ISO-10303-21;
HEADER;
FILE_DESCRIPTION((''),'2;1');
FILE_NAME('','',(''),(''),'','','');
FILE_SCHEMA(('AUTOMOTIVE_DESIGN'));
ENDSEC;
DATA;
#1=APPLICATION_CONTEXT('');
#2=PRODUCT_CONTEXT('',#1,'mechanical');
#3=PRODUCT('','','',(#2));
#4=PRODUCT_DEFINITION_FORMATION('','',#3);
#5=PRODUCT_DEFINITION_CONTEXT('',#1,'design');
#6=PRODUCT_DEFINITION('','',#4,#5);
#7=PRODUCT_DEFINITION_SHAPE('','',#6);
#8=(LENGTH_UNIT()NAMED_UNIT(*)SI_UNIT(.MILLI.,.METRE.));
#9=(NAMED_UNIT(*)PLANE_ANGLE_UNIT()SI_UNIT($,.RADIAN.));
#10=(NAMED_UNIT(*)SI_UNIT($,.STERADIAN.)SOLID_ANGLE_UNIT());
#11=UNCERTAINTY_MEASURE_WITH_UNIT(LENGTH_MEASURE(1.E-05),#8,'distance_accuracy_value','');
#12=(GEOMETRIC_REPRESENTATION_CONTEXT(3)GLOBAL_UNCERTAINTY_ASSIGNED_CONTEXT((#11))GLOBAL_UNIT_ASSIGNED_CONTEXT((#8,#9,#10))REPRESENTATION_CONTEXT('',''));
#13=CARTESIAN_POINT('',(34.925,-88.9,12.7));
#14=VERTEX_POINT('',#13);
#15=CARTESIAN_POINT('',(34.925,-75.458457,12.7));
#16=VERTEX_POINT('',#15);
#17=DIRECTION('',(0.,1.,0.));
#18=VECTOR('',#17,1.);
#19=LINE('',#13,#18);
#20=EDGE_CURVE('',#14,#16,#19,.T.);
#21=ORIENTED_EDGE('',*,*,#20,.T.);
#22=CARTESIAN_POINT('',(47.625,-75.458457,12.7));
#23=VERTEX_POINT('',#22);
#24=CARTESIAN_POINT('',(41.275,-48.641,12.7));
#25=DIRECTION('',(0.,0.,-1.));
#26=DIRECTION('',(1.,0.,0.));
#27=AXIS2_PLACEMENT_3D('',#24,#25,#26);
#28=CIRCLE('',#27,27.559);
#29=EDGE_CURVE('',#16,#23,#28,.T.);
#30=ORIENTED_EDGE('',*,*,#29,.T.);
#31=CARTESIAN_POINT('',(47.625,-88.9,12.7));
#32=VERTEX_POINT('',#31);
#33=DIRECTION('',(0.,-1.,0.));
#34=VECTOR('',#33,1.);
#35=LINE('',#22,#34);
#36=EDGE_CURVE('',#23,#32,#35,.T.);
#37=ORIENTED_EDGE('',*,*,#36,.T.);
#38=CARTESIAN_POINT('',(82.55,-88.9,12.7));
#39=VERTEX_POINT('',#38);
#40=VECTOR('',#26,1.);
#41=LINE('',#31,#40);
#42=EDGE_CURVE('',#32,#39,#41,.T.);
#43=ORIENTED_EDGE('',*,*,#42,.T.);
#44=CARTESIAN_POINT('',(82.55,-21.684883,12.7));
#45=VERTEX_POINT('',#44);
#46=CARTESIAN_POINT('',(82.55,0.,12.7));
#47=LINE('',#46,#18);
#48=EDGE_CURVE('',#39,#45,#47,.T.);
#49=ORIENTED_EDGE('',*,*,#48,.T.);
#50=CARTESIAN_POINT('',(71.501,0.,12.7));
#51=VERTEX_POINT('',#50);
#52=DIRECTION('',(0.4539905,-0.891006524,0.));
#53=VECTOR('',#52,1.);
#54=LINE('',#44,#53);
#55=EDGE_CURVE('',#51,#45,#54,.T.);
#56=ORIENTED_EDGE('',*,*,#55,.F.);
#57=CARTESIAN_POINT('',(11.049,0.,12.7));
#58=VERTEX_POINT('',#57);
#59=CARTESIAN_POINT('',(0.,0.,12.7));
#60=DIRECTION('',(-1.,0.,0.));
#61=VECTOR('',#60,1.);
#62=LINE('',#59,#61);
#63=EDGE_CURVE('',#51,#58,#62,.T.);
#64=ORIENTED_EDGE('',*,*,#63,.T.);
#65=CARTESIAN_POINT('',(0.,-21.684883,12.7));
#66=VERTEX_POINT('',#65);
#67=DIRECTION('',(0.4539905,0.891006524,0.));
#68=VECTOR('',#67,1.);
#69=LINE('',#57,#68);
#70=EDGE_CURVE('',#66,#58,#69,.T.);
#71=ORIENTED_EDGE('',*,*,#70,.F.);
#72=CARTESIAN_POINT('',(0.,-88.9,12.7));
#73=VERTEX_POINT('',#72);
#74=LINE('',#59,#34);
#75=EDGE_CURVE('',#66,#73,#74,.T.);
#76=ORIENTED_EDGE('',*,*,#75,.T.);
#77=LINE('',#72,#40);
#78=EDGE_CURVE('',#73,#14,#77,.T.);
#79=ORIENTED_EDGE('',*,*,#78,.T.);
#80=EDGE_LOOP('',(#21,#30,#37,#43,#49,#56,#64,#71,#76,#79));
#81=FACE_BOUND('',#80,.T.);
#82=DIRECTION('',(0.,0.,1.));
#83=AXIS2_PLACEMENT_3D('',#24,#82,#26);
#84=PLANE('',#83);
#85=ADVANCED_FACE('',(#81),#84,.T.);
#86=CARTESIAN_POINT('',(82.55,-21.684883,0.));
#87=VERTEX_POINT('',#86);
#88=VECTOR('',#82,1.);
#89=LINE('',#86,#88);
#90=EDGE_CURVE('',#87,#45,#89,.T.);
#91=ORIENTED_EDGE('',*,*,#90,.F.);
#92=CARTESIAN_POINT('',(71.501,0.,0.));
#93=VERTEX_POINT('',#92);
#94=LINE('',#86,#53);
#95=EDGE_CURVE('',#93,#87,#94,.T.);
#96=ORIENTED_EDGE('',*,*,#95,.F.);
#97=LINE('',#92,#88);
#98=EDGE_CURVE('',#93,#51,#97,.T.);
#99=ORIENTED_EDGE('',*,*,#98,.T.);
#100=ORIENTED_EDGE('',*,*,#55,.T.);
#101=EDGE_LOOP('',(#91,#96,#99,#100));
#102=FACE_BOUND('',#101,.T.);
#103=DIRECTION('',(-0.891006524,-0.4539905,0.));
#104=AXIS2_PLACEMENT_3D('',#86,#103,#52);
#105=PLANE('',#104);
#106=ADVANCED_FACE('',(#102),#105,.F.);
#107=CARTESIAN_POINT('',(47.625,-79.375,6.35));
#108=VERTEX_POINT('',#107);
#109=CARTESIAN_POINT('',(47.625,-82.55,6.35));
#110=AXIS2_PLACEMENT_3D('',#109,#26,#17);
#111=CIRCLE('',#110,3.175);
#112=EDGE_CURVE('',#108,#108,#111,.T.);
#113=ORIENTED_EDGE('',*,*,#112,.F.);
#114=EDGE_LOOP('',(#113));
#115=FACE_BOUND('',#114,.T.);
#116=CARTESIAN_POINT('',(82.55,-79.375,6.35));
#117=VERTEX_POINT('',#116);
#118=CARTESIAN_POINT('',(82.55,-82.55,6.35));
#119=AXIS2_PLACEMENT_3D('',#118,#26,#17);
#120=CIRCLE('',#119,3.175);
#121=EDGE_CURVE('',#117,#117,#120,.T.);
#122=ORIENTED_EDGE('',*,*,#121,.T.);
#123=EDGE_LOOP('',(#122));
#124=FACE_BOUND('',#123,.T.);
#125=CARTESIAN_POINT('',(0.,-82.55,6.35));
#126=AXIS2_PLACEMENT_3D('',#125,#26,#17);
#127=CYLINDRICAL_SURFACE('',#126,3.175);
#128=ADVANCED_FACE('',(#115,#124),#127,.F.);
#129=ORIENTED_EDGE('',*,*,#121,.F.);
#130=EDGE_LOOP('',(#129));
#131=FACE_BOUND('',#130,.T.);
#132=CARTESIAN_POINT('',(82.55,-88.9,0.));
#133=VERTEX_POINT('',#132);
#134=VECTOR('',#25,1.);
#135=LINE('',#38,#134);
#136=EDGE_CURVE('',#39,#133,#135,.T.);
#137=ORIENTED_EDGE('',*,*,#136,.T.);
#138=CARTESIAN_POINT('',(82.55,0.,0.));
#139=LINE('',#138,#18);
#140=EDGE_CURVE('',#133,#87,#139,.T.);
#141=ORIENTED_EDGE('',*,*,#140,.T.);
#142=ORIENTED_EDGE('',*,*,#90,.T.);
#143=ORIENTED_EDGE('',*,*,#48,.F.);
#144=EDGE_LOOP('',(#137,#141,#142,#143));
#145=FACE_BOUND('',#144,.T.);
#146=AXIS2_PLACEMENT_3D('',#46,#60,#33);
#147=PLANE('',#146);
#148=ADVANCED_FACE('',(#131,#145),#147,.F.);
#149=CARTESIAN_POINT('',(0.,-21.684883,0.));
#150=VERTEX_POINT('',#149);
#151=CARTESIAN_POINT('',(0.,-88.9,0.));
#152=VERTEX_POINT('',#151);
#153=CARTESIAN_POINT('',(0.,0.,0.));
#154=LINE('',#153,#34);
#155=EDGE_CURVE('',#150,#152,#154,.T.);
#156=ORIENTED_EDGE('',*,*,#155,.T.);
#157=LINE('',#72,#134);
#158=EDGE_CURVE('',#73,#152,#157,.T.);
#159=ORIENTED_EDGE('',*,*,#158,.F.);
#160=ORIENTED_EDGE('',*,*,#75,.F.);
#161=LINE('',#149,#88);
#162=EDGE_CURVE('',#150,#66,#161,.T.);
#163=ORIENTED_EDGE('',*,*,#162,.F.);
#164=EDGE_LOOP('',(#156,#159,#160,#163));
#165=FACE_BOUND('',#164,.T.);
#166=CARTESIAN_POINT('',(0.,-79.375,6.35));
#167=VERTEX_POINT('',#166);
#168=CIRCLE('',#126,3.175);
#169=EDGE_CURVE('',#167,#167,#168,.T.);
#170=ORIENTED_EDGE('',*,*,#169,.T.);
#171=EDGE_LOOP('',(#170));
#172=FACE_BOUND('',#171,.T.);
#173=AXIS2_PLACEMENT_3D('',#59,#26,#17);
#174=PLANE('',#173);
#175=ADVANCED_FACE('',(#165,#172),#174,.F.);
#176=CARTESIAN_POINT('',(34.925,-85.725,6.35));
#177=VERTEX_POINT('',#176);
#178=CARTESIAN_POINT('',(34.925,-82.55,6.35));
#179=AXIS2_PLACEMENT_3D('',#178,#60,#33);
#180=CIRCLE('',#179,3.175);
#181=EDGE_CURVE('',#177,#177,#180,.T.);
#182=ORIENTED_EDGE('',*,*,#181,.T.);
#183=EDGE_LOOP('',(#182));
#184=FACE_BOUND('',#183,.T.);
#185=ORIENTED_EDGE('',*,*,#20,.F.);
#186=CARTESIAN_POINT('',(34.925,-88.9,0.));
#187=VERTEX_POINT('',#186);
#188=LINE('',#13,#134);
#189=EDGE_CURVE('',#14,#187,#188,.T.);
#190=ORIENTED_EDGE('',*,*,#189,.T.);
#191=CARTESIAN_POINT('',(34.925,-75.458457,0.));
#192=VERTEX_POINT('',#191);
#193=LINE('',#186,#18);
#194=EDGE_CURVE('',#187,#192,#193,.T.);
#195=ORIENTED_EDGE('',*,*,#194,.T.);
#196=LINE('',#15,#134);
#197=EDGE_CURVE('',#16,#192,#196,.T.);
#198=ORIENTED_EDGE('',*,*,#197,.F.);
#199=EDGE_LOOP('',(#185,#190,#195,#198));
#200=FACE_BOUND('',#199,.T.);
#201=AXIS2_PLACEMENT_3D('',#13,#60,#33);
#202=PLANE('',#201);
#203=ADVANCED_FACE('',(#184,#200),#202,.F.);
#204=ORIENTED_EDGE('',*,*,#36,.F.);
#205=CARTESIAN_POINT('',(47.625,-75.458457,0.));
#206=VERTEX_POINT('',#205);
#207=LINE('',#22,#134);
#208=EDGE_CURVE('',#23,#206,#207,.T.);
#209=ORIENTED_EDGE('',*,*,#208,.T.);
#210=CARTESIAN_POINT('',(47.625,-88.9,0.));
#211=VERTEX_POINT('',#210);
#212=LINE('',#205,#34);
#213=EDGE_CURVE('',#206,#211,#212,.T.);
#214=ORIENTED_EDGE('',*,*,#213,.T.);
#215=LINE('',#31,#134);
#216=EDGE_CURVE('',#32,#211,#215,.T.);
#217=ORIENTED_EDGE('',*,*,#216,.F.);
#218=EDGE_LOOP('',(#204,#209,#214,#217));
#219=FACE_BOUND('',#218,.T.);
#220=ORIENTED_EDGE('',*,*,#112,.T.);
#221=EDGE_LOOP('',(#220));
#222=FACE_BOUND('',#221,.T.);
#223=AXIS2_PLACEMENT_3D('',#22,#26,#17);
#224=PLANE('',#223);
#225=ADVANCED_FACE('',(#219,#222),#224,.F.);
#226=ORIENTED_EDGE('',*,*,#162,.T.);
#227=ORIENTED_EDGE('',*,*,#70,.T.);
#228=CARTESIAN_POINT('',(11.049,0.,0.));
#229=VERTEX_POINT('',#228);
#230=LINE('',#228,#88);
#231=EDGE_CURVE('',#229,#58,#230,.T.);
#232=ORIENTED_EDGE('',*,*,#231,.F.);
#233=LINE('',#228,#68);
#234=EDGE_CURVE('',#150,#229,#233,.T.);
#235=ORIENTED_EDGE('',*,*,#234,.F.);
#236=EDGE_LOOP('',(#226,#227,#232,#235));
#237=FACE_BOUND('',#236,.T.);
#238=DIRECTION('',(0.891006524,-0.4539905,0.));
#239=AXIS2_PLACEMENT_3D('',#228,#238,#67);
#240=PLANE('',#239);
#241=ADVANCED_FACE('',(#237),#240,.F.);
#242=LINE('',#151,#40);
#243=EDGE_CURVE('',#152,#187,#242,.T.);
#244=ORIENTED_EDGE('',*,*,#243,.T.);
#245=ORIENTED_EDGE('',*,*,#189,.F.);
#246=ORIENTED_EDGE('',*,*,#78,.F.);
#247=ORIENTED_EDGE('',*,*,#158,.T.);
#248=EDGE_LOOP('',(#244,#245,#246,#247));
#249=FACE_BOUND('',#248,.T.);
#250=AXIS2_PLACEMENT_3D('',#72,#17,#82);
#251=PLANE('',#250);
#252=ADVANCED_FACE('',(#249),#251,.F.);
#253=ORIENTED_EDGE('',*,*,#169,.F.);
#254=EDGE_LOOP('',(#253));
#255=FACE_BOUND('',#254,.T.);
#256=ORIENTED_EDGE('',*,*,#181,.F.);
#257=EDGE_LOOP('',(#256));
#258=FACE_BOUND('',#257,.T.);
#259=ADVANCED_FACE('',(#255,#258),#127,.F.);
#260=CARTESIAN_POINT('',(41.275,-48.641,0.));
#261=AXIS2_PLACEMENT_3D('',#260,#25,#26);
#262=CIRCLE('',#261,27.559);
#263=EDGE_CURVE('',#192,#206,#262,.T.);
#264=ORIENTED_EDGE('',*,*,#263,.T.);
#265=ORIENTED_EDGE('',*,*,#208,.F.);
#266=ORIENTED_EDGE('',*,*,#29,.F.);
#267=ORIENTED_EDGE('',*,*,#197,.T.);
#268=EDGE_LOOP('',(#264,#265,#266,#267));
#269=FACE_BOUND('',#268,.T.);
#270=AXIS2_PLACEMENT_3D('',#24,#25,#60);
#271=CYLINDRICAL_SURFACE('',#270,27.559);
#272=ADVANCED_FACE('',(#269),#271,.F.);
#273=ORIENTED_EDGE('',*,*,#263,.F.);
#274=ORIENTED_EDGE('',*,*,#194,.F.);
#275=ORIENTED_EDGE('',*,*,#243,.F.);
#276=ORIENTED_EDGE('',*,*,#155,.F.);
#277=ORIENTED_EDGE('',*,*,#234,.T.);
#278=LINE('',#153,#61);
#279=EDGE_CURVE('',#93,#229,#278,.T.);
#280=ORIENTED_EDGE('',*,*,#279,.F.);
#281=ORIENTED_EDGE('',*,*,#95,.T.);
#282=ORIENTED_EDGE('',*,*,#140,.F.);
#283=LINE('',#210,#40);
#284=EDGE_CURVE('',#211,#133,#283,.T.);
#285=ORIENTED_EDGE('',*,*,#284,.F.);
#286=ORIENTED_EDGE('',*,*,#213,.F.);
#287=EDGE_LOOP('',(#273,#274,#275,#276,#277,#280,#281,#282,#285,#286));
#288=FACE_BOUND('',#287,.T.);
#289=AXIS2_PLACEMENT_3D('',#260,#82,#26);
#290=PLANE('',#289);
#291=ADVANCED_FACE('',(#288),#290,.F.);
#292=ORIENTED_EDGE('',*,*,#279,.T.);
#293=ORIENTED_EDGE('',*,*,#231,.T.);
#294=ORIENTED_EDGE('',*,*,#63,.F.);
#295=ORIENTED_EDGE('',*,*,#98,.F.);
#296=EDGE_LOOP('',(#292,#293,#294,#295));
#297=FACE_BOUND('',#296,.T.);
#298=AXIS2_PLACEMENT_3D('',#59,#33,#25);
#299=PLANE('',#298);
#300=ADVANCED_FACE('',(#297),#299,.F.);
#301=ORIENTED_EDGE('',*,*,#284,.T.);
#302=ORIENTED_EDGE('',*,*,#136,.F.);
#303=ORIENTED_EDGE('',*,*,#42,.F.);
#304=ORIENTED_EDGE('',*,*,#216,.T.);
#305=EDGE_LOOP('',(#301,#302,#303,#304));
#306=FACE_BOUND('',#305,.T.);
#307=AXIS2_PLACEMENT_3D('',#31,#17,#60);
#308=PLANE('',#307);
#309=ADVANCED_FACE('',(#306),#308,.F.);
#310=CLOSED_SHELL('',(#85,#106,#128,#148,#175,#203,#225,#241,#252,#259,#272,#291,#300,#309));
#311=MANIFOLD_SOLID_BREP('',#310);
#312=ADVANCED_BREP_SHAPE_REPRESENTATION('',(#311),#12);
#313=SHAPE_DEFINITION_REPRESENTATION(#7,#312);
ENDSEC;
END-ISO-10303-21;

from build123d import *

# Parameters (mm, degrees)
BOSS_EXTRU_1_DEPTH      = 12.7
ESQUISSE2_R             = 3.175
ENL_V_MAT_EXTRU_1_DEPTH = 122.979516723
ENL_V_MAT_EXTRU_2_DEPTH = 122.979516723


with BuildPart() as part:
    # Esquisse1 → Boss.-Extru.1 (new body)
    with BuildSketch(Plane.XY):
        with BuildLine():
            Line((34.925, -88.9), (34.925, -75.458456647))
            ThreePointArc((34.925, -75.458456647), (41.275, -21.082), (47.625, -75.458456647))
            Line((47.625, -75.458456647), (47.625, -88.9))
            Line((47.625, -88.9), (82.55, -88.9))
            Line((82.55, -88.9), (82.55, 0))
            Line((82.55, 0), (0, 0))
            Line((0, 0), (0, -88.9))
            Line((0, -88.9), (34.925, -88.9))
        make_face()
    extrude(amount=BOSS_EXTRU_1_DEPTH)

    # Esquisse2 → Enlèv. mat.-Extru.1 (cut, through all)
    with BuildSketch(Plane(origin=(82.55, 0, 0), x_dir=(0, 0, -1), z_dir=(1, 0, 0))):
        with Locations(Location((-6.35, -82.55, 0), (0, 0, 90))):
            Circle(ESQUISSE2_R)
    extrude(amount=-ENL_V_MAT_EXTRU_1_DEPTH, mode=Mode.SUBTRACT)

    # Esquisse3 → Enlèv. mat.-Extru.2 (cut, through all)
    with BuildSketch(Plane.XY.offset(12.7)):
        Polygon((11.049, 0), (0, -21.684883475), (0, 0), align=None)
        Polygon((71.501, 0), (82.55, 0), (82.55, -21.684883475), align=None)
    extrude(amount=-ENL_V_MAT_EXTRU_2_DEPTH, mode=Mode.SUBTRACT)


solid = part.part
